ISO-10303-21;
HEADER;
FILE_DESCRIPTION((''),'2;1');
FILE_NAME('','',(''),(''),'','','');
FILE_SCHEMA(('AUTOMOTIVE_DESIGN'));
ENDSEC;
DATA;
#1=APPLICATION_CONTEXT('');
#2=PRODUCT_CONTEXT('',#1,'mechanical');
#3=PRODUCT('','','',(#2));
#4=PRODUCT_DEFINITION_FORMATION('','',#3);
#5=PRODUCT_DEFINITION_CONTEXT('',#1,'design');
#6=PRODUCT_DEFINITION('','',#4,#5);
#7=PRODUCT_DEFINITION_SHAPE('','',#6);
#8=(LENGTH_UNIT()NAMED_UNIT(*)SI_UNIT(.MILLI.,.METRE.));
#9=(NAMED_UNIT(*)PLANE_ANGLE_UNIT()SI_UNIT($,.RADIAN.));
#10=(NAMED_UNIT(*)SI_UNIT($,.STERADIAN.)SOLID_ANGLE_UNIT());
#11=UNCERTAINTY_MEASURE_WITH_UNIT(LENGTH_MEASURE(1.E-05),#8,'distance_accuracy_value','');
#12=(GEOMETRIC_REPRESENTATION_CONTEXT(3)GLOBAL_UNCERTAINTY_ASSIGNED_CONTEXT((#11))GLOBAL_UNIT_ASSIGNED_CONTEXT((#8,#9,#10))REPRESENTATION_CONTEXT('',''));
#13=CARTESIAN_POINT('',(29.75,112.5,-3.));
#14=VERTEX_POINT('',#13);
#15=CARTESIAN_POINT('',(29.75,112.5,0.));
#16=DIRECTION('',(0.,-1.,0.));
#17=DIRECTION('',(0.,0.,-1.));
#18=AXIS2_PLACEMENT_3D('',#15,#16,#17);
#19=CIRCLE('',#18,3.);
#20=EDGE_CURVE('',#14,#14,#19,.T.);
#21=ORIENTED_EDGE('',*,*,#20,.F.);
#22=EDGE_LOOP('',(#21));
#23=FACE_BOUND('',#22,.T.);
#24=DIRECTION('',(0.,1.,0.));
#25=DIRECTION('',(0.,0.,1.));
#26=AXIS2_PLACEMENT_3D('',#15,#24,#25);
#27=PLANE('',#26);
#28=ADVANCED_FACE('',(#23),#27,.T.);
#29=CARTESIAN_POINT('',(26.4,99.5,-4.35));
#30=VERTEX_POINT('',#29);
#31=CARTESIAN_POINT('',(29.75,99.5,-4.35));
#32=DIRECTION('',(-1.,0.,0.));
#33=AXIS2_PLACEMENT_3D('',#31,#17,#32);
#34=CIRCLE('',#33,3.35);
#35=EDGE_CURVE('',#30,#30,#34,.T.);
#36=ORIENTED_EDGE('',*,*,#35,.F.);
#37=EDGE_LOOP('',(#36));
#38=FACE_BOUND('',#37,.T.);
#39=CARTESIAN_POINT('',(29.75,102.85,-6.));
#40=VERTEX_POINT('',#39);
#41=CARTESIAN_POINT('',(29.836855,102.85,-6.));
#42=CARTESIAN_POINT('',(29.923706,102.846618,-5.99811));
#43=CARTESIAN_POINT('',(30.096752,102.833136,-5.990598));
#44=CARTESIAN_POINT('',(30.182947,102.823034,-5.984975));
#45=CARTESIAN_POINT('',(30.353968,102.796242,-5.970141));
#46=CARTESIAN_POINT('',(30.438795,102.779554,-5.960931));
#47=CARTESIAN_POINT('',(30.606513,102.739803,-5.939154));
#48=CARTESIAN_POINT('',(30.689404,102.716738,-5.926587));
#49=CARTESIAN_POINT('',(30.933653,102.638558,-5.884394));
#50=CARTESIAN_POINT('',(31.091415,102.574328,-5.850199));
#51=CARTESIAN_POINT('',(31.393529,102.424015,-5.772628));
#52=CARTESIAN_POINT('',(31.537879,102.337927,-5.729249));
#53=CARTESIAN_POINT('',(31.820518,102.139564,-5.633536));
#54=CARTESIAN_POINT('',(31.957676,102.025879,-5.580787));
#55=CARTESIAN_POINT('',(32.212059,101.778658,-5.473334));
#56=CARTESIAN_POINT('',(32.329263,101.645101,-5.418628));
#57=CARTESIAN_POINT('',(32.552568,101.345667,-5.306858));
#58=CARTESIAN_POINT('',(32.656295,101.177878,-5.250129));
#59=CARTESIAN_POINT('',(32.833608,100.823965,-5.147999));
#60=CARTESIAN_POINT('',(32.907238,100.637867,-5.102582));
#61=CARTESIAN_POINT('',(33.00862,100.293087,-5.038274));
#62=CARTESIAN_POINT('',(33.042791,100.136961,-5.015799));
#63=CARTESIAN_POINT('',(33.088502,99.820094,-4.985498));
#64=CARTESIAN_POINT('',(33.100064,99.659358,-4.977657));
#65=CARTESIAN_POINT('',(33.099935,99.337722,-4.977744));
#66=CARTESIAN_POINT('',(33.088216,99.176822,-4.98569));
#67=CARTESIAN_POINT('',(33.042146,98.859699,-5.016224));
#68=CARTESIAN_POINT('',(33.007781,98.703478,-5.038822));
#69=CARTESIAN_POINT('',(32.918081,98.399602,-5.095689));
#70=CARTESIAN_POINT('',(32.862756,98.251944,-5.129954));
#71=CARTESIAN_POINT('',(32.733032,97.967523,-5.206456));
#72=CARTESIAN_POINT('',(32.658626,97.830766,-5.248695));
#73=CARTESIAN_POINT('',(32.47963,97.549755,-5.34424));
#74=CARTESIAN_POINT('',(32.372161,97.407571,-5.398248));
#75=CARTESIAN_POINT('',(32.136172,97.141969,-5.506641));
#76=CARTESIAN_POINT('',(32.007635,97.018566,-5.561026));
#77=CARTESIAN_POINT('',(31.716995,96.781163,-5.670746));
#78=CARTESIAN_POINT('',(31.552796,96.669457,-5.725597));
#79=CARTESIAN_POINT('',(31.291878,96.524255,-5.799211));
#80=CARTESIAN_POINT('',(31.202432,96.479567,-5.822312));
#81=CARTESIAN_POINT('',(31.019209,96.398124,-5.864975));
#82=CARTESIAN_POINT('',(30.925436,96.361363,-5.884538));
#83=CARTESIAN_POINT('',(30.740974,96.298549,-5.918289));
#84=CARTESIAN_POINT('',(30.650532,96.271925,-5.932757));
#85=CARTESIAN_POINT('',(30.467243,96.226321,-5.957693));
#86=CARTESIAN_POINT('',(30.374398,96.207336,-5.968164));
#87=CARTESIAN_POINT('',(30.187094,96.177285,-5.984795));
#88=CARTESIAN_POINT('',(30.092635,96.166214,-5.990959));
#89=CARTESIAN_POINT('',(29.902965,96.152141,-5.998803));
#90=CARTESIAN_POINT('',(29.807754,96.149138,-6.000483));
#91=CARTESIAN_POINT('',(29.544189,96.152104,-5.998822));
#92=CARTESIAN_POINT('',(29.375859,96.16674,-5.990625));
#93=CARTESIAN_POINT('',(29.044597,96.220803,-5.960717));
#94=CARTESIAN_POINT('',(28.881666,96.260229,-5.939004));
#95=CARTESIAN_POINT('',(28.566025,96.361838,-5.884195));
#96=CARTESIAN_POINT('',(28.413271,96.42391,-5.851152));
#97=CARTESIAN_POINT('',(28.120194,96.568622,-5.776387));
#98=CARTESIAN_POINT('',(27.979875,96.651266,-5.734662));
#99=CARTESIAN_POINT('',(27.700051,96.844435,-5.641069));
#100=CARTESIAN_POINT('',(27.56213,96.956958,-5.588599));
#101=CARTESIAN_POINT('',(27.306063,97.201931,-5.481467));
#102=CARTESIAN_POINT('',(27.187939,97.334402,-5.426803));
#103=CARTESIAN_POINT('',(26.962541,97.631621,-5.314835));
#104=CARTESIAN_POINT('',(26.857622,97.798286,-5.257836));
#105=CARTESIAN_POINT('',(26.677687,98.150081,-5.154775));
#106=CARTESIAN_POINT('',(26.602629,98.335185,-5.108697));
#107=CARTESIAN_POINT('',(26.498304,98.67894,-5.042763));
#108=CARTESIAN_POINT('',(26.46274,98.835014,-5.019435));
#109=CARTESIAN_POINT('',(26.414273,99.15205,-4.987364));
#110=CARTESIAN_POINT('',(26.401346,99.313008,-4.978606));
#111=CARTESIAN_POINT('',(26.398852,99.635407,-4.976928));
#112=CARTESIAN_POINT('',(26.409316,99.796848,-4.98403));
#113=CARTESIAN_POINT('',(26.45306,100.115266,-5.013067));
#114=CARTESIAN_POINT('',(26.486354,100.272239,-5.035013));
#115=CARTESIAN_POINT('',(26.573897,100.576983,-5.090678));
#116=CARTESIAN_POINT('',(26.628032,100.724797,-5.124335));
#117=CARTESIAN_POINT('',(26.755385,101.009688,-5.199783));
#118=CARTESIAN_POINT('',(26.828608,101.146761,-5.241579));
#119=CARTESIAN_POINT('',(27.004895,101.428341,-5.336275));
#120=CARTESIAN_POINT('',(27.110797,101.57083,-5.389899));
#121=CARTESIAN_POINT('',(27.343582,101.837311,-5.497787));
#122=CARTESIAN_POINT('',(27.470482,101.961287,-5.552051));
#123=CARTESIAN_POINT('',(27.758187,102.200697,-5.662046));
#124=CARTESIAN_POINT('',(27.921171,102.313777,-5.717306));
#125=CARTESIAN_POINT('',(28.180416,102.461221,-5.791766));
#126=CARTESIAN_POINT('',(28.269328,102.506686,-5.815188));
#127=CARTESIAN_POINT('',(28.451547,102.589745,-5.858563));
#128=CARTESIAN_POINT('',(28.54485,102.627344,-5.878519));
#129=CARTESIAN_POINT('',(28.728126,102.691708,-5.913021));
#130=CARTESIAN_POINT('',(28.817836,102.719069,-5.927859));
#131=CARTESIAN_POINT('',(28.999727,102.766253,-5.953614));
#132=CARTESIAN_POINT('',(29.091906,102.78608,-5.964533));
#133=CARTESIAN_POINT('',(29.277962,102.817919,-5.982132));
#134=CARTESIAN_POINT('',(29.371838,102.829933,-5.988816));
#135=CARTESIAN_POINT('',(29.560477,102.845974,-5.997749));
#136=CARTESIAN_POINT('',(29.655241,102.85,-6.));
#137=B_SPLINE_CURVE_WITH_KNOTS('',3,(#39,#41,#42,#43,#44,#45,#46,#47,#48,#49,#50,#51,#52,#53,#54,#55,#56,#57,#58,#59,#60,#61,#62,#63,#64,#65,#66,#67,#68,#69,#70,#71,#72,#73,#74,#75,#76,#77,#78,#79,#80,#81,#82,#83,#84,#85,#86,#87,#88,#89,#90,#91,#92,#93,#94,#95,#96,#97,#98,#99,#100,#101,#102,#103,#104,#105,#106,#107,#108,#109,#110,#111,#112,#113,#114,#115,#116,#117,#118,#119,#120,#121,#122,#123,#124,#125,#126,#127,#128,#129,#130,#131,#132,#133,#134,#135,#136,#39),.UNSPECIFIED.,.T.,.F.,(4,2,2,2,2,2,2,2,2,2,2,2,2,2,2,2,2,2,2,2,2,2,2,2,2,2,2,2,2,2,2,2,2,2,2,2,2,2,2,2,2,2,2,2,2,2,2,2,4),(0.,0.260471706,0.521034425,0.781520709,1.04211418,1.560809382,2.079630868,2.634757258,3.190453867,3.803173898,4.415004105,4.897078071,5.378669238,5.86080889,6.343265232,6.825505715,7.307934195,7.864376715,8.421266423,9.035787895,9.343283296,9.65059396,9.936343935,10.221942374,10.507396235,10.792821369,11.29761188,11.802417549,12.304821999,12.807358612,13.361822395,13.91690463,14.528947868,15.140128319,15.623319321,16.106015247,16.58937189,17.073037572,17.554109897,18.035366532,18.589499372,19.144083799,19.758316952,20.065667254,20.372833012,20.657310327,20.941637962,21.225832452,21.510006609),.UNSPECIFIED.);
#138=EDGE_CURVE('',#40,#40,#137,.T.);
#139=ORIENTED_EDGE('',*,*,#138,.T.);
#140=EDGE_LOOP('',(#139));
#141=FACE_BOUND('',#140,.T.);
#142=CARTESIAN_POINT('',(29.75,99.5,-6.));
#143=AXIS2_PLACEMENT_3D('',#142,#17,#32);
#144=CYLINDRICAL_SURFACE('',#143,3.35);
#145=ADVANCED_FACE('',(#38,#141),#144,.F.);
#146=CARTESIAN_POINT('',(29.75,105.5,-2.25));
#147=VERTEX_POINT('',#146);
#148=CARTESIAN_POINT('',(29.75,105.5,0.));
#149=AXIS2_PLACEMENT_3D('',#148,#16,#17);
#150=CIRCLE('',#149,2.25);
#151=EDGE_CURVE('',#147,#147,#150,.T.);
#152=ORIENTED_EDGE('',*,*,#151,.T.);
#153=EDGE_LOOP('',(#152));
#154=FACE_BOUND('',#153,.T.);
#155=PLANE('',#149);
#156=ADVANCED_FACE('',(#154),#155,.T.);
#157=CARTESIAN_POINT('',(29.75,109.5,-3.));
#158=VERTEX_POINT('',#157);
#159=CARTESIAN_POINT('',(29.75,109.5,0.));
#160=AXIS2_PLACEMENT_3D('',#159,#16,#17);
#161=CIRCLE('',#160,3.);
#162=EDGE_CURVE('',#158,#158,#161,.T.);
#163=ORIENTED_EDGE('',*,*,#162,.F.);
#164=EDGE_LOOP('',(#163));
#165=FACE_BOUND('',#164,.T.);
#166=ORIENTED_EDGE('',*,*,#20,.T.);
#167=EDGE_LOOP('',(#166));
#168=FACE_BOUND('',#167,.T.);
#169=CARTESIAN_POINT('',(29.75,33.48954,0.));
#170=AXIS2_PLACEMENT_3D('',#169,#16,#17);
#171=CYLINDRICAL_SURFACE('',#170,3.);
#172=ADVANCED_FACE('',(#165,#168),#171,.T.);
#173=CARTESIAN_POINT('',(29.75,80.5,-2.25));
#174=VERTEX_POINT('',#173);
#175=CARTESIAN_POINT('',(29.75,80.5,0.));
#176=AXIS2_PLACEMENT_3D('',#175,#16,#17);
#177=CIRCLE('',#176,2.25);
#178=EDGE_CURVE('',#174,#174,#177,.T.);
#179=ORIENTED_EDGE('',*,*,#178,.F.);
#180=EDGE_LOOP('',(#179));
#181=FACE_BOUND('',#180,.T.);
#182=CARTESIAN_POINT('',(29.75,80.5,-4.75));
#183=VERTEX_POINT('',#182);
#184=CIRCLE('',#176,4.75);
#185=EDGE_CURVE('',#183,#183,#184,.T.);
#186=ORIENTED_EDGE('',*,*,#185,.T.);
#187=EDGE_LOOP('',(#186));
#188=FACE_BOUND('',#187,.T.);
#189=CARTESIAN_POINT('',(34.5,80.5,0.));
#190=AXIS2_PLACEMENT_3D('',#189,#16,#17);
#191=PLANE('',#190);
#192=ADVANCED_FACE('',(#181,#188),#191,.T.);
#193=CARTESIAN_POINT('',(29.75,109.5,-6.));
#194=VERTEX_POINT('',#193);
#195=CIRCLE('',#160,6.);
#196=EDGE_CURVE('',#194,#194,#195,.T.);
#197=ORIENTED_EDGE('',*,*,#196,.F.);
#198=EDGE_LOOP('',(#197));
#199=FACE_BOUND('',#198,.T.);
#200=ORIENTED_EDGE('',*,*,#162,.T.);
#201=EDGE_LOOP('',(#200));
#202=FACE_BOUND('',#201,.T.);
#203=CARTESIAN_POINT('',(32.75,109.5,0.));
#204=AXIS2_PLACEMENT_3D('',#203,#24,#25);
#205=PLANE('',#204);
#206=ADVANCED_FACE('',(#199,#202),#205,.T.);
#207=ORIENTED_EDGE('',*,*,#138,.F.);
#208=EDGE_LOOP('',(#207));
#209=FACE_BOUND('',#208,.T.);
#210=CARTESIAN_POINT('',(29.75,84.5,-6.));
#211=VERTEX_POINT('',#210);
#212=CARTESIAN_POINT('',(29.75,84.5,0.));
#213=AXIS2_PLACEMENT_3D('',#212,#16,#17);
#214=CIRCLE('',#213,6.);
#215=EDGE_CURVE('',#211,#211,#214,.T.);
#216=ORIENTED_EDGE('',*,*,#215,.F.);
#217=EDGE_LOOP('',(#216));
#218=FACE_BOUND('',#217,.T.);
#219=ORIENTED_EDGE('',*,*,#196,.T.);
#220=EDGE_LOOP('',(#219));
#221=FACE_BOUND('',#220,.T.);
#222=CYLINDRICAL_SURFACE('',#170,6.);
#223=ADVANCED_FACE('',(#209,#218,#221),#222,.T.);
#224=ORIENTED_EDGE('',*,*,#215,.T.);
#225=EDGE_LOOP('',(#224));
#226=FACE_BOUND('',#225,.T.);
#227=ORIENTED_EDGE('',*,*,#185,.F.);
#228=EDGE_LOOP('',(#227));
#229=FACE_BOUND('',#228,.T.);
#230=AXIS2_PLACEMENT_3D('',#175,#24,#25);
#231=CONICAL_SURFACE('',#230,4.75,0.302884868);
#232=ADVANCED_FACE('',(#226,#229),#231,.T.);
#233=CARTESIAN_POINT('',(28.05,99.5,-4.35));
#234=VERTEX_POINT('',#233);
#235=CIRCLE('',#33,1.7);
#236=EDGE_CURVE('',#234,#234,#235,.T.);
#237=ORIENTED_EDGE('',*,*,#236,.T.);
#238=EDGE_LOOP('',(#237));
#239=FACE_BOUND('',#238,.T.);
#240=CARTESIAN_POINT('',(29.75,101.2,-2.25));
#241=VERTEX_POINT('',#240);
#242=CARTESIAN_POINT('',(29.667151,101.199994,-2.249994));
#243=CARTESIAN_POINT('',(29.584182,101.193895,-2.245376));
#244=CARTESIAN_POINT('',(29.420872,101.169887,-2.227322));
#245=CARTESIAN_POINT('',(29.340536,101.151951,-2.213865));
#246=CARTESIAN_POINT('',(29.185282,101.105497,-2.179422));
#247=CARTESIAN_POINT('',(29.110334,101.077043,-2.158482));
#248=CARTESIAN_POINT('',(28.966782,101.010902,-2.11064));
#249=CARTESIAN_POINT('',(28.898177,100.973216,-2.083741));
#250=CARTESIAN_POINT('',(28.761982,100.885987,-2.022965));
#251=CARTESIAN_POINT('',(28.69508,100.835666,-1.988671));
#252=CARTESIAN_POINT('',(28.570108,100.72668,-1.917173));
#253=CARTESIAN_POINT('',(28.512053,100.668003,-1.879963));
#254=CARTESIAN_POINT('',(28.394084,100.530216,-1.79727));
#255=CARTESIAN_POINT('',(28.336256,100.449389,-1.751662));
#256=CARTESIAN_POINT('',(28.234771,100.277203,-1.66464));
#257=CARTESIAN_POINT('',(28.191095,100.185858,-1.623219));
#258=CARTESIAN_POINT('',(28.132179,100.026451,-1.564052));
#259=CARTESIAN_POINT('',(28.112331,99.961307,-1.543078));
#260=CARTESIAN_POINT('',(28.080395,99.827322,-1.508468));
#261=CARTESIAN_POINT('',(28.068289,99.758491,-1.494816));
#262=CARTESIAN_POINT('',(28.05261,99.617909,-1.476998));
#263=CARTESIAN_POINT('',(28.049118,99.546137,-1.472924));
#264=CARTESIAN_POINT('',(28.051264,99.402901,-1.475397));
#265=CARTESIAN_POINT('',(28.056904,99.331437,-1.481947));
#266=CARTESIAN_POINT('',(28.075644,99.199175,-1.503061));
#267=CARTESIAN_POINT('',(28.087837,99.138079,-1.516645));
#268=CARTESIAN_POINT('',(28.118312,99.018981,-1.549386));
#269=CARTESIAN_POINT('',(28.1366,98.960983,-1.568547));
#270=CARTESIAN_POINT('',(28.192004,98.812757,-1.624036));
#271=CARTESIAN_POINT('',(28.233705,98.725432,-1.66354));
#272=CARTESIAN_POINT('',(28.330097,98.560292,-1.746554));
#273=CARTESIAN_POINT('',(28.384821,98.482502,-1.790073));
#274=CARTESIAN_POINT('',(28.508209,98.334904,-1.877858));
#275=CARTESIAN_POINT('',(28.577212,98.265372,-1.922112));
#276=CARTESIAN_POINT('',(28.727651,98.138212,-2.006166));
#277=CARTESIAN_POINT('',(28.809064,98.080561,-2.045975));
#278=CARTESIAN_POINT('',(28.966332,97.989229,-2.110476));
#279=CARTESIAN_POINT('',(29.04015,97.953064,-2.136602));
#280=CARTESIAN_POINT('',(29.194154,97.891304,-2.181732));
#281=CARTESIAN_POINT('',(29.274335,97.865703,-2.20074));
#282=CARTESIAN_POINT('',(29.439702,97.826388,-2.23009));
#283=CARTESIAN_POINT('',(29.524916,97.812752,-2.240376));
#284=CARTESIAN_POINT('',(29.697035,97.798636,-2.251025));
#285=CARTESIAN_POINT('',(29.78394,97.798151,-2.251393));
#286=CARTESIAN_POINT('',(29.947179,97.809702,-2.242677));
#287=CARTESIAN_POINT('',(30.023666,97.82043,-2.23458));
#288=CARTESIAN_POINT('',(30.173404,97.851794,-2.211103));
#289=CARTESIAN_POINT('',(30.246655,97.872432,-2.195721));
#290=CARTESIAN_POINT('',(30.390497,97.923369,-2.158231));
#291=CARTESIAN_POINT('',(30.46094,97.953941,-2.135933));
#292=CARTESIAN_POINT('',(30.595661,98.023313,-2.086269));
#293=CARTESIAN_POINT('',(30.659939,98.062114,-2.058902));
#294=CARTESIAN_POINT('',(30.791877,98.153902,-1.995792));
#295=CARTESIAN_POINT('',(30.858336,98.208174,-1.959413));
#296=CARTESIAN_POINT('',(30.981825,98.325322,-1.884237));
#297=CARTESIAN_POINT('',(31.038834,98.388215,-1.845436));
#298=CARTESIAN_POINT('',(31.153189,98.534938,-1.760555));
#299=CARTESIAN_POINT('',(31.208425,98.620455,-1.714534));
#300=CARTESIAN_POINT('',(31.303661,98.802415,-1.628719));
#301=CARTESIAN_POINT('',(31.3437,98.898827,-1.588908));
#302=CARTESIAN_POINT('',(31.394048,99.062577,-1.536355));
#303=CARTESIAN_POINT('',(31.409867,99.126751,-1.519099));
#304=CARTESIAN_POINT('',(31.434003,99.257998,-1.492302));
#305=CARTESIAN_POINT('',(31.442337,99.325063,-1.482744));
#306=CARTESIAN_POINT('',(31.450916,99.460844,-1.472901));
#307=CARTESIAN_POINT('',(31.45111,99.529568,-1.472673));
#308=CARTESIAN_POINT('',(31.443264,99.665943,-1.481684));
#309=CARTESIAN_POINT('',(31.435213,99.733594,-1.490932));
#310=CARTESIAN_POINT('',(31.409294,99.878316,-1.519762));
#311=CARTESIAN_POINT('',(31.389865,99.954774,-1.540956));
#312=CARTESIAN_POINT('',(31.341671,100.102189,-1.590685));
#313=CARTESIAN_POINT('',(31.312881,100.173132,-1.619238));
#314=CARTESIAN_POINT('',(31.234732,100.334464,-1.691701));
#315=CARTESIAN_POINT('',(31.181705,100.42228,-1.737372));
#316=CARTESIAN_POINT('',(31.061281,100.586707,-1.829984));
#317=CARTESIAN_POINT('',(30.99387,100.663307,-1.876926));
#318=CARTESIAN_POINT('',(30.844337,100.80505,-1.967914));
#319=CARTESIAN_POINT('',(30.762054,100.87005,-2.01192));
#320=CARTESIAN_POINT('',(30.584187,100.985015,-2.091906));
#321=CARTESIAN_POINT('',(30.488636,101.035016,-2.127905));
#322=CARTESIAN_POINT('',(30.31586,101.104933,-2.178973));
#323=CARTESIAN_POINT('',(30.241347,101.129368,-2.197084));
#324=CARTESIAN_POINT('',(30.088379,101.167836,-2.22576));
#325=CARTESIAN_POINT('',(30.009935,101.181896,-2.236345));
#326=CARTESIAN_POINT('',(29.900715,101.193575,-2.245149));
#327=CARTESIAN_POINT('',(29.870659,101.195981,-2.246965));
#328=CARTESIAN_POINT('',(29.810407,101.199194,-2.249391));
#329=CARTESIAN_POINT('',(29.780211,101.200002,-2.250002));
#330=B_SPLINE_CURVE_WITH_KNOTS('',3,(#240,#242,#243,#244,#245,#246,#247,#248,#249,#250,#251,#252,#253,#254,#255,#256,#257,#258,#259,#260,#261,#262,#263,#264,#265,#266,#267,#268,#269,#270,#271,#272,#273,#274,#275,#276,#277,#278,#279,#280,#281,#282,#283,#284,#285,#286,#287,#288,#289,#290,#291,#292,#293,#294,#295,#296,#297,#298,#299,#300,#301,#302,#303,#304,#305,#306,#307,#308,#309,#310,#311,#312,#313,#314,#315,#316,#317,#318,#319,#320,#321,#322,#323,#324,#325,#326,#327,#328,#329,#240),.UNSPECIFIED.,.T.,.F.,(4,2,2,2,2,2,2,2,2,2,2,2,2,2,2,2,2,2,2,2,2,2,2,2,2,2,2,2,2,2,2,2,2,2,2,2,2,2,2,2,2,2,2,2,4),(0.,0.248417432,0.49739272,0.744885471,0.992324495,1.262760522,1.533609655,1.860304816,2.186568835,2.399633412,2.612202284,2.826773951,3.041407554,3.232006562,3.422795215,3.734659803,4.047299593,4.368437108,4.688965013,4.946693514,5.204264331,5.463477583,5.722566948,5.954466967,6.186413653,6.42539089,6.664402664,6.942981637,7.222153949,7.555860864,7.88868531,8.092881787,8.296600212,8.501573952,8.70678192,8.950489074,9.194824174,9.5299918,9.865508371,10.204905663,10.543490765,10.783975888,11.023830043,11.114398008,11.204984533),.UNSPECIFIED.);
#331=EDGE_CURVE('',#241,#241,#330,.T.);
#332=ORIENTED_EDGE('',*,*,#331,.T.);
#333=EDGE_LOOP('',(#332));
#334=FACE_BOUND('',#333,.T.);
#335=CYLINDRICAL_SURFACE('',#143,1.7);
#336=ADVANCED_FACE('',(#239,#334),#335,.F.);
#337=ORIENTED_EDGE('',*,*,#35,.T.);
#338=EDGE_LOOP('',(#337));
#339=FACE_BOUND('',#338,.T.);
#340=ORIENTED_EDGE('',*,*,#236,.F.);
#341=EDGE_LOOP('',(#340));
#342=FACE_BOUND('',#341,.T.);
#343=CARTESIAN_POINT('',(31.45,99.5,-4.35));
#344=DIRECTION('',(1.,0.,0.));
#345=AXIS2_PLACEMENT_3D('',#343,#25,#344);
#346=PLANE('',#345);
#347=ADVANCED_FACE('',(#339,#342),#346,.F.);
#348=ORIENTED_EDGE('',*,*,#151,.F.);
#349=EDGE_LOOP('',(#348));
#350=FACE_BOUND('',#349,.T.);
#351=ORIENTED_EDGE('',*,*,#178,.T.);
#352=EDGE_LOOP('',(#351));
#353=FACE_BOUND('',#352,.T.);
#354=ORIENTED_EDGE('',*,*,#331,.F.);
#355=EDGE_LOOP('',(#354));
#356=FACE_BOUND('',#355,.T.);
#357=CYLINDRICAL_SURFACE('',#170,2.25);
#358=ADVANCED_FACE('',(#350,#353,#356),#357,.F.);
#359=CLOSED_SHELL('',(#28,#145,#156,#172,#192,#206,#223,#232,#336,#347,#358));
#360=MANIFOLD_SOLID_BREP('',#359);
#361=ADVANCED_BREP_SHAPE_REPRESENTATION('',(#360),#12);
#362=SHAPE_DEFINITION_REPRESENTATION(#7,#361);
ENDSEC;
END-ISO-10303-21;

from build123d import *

# Parameters (mm, degrees)
REBAIXO_PARA_SBHCS_M36_D           = 3.4
REBAIXO_PARA_SBHCS_M36_DEPTH       = 5
REBAIXO_PARA_SBHCS_M36_CBORE_D     = 6.7
REBAIXO_PARA_SBHCS_M36_CBORE_DEPTH = 1.65
REBAIXO_PARA_SBHCS_M36_TIP         = 1.021463052


with BuildPart() as part:
    # Esboço1 → Revolução1 (revolve)
    with BuildSketch(Plane.XY, mode=Mode.PRIVATE) as revolu_o1_sk:
        Polygon((29.75, 112.5), (29.75, 105.5), (32, 105.5), (32, 80.5), (34.5, 80.5), (35.75, 84.5), (35.75, 109.5), (32.75, 109.5), (32.75, 112.5), align=None)
    revolve(revolu_o1_sk.sketch.rotate(Axis((29.75, 33.489540419, 0), (0, 1, 0)), 90), axis=Axis((29.75, 33.489540419, 0), (0, 1, 0)))

    # Rebaixo para SBHCS M36
    with Locations(Plane(origin=(0, 0, -6), x_dir=(-1, 0, 0), z_dir=(0, 0, -1))):
        with Locations((-29.75, 99.5)):
            CounterBoreHole(REBAIXO_PARA_SBHCS_M36_D / 2, REBAIXO_PARA_SBHCS_M36_CBORE_D / 2, REBAIXO_PARA_SBHCS_M36_CBORE_DEPTH, depth=REBAIXO_PARA_SBHCS_M36_DEPTH)
            with Locations((0, 0, -(REBAIXO_PARA_SBHCS_M36_DEPTH + REBAIXO_PARA_SBHCS_M36_TIP / 2))):  # 118° drill point
                Cone(0, REBAIXO_PARA_SBHCS_M36_D / 2, REBAIXO_PARA_SBHCS_M36_TIP, mode=Mode.SUBTRACT)


solid = part.part
